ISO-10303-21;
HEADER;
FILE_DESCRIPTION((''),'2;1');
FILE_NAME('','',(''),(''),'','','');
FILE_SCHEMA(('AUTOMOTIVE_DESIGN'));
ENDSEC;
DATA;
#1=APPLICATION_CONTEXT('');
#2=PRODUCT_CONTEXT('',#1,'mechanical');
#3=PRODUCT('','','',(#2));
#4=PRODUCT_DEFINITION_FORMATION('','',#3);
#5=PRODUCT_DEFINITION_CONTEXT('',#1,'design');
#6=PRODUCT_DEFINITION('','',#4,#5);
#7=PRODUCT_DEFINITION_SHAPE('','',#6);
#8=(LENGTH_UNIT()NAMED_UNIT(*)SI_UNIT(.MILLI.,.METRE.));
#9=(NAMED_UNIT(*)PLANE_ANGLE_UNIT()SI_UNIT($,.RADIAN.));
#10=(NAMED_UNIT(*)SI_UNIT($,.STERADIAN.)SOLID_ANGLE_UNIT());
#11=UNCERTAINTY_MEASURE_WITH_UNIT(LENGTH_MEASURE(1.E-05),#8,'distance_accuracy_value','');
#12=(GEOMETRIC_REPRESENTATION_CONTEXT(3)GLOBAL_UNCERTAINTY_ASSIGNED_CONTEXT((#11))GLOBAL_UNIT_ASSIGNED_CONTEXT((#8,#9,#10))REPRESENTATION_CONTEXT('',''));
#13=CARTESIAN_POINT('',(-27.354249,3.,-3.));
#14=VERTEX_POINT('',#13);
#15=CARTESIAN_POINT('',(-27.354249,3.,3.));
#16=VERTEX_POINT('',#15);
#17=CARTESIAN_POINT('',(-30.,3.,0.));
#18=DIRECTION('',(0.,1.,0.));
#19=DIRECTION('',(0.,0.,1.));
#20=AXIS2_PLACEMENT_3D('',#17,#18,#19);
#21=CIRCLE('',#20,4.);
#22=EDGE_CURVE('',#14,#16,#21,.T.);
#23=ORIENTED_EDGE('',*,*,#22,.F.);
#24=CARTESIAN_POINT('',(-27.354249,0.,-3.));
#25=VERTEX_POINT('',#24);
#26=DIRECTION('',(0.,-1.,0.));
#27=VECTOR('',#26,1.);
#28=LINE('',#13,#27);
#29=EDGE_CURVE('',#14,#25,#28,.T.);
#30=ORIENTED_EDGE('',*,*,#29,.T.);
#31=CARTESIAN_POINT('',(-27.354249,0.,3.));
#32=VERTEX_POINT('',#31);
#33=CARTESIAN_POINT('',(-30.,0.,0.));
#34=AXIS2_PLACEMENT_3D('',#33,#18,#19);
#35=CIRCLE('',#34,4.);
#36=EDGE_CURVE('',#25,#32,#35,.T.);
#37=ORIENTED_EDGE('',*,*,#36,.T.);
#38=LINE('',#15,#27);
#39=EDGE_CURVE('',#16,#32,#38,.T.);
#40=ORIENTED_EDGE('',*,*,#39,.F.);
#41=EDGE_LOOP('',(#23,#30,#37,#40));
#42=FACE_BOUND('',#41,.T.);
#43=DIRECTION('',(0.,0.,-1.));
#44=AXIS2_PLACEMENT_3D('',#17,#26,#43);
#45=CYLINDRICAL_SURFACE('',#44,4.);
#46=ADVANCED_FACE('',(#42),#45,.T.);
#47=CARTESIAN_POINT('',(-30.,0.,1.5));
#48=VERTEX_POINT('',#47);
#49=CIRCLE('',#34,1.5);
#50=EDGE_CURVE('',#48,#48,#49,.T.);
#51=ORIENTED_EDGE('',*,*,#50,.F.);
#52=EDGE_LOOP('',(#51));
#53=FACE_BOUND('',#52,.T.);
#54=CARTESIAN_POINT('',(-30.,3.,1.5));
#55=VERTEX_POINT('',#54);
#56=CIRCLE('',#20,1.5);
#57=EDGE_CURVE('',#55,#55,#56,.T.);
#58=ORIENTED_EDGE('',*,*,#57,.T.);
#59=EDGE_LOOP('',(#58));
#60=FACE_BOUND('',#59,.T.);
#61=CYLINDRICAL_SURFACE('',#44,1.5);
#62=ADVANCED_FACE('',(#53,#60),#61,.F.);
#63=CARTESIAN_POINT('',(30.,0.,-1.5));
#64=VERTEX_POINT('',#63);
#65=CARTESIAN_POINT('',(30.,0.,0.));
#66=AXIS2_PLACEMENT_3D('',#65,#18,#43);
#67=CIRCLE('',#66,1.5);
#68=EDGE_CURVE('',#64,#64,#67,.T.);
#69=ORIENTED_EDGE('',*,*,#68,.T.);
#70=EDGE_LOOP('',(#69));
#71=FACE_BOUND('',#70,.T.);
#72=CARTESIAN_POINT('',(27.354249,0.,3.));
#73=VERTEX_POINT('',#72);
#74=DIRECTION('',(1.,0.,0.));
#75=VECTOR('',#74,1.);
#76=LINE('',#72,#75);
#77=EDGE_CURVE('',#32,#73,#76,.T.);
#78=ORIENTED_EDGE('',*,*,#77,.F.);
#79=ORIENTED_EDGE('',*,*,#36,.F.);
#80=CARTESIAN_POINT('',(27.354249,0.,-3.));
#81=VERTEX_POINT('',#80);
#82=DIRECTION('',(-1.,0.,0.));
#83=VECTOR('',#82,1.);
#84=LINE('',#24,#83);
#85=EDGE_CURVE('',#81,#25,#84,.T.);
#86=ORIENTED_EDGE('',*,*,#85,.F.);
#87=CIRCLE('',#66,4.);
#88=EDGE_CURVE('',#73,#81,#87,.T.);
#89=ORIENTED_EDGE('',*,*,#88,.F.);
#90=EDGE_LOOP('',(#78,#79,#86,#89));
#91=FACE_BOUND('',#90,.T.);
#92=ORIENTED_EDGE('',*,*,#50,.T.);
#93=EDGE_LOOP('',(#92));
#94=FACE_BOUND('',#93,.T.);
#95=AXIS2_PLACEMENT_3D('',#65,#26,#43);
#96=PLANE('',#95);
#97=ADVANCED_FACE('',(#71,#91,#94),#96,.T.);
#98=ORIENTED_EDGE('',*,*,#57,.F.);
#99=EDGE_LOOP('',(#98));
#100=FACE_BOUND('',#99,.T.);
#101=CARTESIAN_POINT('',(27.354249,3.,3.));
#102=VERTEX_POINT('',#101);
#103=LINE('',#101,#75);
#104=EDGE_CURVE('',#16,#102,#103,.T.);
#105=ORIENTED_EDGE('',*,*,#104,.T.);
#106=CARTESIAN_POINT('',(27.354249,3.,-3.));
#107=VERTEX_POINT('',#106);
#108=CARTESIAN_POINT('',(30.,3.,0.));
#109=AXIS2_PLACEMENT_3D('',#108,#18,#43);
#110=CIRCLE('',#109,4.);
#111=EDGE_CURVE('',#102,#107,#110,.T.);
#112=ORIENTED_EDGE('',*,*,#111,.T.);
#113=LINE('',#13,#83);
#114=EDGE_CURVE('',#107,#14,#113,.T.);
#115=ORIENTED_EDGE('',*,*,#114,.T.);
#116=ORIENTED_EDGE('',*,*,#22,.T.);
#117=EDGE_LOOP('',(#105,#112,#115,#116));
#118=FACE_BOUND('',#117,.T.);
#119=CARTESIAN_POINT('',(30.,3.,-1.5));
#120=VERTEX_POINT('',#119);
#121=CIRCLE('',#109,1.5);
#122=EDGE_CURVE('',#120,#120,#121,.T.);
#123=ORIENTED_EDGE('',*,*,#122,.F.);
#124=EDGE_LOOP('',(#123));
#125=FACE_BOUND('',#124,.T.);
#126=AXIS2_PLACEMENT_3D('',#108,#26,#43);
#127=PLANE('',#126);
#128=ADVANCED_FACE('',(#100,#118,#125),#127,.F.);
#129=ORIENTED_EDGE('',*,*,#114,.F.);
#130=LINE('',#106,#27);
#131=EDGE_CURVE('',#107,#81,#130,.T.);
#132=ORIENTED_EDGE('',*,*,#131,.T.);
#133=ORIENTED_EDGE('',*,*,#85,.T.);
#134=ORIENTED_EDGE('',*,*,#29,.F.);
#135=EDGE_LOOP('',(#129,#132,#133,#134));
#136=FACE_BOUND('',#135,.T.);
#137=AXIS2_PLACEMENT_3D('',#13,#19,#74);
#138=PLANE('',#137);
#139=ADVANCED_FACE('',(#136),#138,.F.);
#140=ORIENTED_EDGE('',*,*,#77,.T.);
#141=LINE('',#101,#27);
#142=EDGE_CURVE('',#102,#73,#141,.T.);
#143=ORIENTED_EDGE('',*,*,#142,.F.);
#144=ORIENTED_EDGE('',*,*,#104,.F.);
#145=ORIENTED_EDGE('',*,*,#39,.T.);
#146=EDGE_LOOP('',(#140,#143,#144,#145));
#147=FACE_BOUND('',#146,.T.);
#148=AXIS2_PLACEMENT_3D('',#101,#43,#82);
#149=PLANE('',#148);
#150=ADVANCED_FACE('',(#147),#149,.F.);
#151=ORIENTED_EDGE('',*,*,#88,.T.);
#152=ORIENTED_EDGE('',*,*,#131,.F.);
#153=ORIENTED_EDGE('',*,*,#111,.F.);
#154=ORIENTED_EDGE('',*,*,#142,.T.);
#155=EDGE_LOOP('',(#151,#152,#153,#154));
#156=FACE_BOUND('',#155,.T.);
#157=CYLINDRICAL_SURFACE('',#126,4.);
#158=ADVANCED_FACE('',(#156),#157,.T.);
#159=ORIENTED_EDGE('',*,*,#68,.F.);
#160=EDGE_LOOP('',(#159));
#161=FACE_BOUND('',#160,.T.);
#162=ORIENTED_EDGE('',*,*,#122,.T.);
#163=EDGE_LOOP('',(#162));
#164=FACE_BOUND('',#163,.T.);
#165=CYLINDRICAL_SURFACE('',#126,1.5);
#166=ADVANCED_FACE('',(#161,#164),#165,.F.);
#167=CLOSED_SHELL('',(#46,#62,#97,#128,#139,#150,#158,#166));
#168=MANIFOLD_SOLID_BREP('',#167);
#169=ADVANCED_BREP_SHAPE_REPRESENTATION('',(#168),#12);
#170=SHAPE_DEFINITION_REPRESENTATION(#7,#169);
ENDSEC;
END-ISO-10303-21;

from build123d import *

# Parameters (mm, degrees)
CROQUIS1_R              = 1.5
SALIENTE_EXTRUIR1_DEPTH = 3


with BuildPart() as part:
    # Croquis1 → Saliente-Extruir1 (new body)
    with BuildSketch(Plane(origin=(0, 0, 0), x_dir=(1, 0, 0), z_dir=(0, 1, 0))):
        with BuildLine():
            Line((-27.354248689, 3), (27.354248689, 3))
            ThreePointArc((27.354248689, 3), (34, 0), (27.354248689, -3))
            Line((27.354248689, -3), (-27.354248689, -3))
            ThreePointArc((-27.354248689, -3), (-34, 0), (-27.354248689, 3))
        make_face()
        with Locations(Location((-30, 0, 0), (0, 0, 270))):
            Circle(CROQUIS1_R, mode=Mode.SUBTRACT)
        with Locations(Location((30, 0, 0), (0, 0, 90))):
            Circle(CROQUIS1_R, mode=Mode.SUBTRACT)
    extrude(amount=SALIENTE_EXTRUIR1_DEPTH)


solid = part.part
